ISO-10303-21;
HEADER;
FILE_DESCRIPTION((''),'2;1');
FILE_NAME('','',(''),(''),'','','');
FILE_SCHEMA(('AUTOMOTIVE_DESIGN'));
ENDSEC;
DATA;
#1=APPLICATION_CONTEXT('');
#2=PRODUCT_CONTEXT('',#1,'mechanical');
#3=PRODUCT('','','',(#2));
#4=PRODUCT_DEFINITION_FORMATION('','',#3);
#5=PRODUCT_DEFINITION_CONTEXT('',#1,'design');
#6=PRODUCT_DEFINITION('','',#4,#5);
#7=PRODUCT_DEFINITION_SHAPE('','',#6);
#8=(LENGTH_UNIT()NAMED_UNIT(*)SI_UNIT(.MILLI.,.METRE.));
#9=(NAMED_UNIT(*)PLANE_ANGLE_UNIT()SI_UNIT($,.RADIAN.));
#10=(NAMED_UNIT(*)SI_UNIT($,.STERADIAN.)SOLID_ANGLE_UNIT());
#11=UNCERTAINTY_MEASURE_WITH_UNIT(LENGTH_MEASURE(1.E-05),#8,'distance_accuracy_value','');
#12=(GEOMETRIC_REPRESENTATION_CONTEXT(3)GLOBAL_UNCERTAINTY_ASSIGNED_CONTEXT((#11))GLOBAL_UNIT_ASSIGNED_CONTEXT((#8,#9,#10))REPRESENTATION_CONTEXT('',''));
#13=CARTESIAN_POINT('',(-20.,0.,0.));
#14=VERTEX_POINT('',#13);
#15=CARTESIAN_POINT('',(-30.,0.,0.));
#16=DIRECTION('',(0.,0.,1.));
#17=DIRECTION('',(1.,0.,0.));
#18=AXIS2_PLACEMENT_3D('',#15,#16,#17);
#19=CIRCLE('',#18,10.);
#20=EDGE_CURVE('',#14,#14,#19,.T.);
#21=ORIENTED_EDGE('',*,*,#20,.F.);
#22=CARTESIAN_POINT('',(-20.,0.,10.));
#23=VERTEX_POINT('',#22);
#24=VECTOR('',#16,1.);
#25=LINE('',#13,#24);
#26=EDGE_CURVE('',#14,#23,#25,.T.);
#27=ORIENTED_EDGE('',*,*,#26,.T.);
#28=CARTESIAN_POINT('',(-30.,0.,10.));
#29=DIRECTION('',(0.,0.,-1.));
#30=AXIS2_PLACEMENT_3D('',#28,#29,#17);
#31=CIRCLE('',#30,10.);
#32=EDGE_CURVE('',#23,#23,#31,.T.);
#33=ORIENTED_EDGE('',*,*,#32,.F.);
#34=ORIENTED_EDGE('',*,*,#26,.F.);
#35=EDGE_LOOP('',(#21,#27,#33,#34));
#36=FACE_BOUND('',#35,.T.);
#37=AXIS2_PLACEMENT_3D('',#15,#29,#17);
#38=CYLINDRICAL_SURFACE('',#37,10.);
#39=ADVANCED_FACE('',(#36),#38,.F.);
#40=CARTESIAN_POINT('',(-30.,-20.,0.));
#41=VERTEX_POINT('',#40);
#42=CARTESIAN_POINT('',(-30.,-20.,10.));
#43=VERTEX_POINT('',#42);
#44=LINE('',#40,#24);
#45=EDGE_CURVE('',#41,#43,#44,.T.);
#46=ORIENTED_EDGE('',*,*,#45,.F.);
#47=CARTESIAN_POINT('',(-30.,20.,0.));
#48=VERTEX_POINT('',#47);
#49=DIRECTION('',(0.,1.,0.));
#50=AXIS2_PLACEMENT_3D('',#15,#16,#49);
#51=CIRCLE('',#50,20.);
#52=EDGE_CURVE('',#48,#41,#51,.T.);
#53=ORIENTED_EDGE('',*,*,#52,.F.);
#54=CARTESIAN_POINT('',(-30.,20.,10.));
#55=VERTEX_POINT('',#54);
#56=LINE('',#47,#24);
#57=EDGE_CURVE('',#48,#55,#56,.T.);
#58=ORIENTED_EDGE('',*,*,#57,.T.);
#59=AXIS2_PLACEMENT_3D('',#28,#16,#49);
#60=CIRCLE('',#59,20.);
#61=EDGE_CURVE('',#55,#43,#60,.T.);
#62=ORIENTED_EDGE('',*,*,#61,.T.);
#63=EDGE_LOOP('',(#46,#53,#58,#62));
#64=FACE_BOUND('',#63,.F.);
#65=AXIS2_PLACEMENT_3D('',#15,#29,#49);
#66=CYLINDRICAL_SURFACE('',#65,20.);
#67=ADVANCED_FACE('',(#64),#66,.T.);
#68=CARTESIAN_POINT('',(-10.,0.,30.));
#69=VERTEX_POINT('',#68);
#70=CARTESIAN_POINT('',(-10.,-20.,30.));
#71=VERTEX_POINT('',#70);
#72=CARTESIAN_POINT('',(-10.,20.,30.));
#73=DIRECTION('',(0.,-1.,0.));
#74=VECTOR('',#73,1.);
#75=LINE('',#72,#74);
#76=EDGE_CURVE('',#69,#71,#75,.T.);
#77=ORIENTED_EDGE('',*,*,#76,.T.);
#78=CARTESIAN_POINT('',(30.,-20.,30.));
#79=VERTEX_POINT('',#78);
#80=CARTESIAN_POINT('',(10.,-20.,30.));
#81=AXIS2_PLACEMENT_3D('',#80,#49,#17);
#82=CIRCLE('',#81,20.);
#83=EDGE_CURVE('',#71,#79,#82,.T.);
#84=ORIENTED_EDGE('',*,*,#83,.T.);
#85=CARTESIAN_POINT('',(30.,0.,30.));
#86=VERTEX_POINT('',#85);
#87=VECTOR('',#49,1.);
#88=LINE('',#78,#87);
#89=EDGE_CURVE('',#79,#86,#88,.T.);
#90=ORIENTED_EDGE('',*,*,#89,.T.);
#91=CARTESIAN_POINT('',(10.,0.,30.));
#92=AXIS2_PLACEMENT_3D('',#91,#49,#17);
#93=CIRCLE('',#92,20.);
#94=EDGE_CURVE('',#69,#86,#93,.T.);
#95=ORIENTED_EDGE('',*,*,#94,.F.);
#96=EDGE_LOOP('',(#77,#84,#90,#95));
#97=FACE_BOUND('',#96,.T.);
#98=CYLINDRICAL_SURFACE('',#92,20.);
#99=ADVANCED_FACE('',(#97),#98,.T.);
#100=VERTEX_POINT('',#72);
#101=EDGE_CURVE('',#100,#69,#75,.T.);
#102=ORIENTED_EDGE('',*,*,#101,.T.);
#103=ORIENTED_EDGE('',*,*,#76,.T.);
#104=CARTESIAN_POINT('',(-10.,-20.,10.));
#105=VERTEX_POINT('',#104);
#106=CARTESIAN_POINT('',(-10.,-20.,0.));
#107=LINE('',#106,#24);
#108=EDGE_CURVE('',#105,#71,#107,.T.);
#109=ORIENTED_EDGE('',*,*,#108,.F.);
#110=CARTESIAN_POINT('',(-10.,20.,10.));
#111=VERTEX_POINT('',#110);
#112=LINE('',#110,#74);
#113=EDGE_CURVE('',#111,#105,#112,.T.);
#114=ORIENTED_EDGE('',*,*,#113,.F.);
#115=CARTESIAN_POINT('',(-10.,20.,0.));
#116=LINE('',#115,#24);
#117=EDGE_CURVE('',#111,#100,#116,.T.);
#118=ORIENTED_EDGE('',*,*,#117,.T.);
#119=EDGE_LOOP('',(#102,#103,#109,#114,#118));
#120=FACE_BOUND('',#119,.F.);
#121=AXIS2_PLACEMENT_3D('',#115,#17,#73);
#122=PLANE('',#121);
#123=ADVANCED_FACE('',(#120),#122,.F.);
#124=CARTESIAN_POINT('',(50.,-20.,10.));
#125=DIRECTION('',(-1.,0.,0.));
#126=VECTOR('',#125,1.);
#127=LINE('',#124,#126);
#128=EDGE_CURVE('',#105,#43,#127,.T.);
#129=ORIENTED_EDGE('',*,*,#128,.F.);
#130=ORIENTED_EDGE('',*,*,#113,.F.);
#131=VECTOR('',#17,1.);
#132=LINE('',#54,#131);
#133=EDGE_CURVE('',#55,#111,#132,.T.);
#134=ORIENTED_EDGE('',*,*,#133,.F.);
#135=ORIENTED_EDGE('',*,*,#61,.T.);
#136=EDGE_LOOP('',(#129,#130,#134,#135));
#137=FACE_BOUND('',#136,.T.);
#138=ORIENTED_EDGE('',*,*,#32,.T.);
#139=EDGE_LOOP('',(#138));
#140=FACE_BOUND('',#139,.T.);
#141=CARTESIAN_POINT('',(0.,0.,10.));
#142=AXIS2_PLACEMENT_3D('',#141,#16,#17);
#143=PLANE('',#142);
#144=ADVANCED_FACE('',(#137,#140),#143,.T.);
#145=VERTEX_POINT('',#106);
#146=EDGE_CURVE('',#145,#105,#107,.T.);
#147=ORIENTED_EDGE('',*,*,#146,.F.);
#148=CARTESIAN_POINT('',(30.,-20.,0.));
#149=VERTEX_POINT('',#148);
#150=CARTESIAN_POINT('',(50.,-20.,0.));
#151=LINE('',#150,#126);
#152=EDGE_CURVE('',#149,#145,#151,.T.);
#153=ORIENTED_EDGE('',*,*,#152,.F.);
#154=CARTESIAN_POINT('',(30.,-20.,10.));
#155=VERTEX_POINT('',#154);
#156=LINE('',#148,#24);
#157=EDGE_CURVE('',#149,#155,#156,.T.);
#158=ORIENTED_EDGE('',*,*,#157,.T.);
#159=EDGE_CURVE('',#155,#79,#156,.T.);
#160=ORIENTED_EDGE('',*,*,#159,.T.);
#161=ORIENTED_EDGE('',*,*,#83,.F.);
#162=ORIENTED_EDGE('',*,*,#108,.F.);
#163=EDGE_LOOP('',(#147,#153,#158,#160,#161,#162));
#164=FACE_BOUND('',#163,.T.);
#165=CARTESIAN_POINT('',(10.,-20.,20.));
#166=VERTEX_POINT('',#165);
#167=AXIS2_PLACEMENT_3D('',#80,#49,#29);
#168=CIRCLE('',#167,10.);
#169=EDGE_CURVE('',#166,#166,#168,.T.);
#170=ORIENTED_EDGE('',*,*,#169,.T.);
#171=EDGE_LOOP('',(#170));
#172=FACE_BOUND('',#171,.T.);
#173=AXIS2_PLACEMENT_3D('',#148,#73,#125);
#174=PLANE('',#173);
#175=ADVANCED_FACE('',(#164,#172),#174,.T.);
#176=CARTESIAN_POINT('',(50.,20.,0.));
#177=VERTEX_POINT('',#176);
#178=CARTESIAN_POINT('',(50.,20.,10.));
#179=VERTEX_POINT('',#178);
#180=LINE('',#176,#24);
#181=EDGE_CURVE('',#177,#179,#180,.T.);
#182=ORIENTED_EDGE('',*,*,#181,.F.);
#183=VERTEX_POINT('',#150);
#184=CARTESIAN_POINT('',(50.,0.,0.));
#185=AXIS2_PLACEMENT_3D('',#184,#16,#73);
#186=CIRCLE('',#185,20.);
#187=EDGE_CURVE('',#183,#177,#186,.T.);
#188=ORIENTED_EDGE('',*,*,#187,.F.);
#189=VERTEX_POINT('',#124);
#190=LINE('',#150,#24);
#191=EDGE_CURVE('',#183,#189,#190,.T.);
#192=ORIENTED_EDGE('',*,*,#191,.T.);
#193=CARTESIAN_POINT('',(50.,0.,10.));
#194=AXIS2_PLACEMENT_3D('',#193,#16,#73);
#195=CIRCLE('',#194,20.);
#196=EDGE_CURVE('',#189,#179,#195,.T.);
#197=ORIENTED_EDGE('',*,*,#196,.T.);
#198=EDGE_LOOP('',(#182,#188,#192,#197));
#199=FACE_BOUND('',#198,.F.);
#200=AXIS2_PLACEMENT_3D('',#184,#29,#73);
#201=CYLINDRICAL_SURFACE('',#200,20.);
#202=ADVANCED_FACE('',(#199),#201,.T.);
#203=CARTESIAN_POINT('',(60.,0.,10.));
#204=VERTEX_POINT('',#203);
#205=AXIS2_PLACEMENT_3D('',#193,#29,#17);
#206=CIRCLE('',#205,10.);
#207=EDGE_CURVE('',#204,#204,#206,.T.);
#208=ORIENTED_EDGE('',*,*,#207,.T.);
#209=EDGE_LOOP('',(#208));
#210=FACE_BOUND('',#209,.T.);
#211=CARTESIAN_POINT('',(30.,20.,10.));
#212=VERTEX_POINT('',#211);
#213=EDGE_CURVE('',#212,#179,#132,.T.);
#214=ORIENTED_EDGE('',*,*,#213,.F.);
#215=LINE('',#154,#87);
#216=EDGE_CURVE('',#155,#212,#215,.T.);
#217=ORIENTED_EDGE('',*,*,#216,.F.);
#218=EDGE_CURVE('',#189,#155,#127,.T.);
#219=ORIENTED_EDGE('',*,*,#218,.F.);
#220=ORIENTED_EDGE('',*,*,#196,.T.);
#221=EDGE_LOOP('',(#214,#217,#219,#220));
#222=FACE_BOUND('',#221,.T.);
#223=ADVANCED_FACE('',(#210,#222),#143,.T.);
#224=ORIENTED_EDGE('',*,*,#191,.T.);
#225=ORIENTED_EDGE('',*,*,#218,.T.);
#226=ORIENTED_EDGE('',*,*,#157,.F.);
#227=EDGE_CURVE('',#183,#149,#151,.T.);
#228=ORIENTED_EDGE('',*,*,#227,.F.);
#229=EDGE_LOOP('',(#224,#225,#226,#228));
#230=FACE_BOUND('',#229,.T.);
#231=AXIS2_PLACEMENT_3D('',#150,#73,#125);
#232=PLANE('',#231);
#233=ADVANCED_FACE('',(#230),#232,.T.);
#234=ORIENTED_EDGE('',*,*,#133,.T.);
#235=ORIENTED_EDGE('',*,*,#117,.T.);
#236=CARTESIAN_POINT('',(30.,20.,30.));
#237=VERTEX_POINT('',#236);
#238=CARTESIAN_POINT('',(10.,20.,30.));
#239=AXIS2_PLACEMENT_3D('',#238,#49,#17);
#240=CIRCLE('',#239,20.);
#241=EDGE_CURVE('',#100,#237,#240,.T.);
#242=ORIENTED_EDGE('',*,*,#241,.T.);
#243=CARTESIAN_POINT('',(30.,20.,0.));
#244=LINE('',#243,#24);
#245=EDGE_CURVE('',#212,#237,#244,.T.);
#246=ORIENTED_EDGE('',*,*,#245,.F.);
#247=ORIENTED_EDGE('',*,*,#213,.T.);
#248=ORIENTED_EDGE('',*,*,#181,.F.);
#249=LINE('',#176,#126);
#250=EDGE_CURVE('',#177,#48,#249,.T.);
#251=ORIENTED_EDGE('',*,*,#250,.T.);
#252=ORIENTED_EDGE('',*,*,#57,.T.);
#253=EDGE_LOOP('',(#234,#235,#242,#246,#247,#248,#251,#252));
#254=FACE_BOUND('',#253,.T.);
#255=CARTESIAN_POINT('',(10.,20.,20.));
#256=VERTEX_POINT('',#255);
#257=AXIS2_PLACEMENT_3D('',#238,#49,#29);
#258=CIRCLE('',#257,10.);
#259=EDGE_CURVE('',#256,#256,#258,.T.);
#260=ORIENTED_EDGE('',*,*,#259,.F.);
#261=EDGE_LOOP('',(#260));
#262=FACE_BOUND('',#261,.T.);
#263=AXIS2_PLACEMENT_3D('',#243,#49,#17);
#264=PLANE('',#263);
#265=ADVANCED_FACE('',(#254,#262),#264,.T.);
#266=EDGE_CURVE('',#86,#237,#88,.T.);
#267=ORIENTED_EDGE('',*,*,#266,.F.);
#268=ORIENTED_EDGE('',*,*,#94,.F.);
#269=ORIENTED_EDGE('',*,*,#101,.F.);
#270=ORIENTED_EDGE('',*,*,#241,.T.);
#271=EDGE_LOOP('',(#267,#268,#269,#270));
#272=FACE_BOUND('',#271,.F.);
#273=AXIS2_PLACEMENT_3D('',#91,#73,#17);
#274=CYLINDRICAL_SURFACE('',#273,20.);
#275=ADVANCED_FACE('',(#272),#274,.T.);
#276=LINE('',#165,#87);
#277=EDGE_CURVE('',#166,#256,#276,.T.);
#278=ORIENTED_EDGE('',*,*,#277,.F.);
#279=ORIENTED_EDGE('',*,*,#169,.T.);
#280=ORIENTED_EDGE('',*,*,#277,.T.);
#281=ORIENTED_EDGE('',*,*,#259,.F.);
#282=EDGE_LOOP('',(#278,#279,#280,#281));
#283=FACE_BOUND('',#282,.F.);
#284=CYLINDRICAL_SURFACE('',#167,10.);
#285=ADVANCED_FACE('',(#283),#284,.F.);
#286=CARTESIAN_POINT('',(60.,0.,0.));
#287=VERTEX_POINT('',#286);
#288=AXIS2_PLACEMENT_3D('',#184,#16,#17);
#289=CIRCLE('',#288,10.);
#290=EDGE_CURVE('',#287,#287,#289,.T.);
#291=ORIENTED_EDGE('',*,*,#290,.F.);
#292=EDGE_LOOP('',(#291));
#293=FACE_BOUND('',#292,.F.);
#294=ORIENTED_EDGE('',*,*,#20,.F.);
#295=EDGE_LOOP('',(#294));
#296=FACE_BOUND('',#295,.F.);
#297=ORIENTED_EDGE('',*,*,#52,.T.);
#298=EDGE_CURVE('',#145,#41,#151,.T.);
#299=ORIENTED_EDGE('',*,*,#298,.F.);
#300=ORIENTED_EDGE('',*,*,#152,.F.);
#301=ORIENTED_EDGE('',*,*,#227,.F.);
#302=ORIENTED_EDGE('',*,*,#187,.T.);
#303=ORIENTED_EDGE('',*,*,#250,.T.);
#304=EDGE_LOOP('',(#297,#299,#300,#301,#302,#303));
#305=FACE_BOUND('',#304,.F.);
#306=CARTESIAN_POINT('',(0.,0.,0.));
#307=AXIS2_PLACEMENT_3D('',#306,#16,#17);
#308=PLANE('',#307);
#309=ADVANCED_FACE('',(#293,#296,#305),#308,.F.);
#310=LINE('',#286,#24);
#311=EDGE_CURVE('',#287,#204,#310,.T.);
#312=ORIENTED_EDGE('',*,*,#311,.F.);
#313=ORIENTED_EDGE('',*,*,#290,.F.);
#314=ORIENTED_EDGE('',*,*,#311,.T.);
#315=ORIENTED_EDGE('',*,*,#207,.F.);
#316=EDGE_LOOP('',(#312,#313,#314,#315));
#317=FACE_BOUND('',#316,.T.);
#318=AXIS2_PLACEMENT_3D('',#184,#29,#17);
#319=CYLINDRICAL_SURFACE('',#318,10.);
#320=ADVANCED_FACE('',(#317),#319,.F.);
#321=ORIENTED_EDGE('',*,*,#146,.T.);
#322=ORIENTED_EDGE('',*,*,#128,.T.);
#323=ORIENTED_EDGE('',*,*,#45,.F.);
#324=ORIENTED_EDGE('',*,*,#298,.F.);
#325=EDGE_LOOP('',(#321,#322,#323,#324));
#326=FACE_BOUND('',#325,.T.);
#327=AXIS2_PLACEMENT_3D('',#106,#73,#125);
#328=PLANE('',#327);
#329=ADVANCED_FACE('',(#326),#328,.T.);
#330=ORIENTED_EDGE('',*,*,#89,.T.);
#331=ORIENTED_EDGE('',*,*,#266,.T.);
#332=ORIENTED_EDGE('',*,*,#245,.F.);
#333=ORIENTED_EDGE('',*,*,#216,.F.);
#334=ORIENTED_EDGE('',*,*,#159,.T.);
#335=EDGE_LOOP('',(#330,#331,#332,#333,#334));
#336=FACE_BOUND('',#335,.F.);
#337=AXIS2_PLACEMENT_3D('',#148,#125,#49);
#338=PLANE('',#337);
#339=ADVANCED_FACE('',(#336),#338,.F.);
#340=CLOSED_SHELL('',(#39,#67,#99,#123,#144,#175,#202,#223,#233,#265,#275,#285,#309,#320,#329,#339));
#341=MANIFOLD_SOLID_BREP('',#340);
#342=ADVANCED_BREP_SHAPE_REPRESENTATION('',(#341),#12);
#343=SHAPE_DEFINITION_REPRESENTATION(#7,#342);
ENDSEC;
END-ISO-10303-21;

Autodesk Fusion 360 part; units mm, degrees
sketch "Sketch1" plane through (0, 0, 0) normal (1, 0, 0) x (0, 1, 0)
sketch "Sketch2" plane through (0, 0, 0) normal (0, 0, 1) x (1, 0, 0)
  line L0 (-30, 20) -> (50, 20)
  line L1 (50, 20) -> (50, -20)
  line L2 (50, -20) -> (-30, -20)
  line L3 (-30, -20) -> (-30, 20)
  line L4 (-30, -20) -> (-10, -20)
  line L5 (50, -20) -> (30, -20)
  line L6 (-10, -20) -> (30, -20)
  line L7 (30, -20) -> (30, 20)
  line L8 (30, 20) -> (-10, 20)
  line L9 (-10, 20) -> (-10, -20)
  arc A0 (-30, 20) -> (-30, -20) centre (-30, 0) ccw
  line L10 (50, 20) -> (50, -20)
  arc A1 (50, -20) -> (50, 20) centre (50, 0) ccw
  circle A2 centre (-30, 0) radius 10
  circle A3 centre (50, 0) radius 10
  dimension "d1" = 80
  dimension "d2" = 40
  dimension "d3" = 20
  dimension "d4" = 20
  dimension "d5" = 20
  dimension "d6" = 20
extrude "Extrude2" add sketch "Sketch2" along normal blind 30 contours L0 L2 L6 L7 L8 L9 makes body 1
extrude "Extrude1" add sketch "Sketch2" along normal blind 10 separate body contours L0 L2 L3 L4 L9 A2 | L3 A0 A2 | L0 L1 L2 L5 L7 L10 A3 | L1 L10 A1 A3 makes body 2 at (-13.3333, 0, 10) makes body 3 at (33.3333, 0, 0)
sketch "Sketch3" plane through (0, 0, 0) normal (0, 1, 0) x (1, 0, 0)
  circle A0 centre (10, -30) radius 20
extrude "Extrude3" add sketch "Sketch3" along normal blind 20 and the other way blind 20 bodies 1
hole "Hole1" at (10, -20, 30) direction (0, 1, 0) diameter 20 depth 40 tip angle 180 bodies 1
combine "Combine1" operation add target body 1 tool bodies 3 2
